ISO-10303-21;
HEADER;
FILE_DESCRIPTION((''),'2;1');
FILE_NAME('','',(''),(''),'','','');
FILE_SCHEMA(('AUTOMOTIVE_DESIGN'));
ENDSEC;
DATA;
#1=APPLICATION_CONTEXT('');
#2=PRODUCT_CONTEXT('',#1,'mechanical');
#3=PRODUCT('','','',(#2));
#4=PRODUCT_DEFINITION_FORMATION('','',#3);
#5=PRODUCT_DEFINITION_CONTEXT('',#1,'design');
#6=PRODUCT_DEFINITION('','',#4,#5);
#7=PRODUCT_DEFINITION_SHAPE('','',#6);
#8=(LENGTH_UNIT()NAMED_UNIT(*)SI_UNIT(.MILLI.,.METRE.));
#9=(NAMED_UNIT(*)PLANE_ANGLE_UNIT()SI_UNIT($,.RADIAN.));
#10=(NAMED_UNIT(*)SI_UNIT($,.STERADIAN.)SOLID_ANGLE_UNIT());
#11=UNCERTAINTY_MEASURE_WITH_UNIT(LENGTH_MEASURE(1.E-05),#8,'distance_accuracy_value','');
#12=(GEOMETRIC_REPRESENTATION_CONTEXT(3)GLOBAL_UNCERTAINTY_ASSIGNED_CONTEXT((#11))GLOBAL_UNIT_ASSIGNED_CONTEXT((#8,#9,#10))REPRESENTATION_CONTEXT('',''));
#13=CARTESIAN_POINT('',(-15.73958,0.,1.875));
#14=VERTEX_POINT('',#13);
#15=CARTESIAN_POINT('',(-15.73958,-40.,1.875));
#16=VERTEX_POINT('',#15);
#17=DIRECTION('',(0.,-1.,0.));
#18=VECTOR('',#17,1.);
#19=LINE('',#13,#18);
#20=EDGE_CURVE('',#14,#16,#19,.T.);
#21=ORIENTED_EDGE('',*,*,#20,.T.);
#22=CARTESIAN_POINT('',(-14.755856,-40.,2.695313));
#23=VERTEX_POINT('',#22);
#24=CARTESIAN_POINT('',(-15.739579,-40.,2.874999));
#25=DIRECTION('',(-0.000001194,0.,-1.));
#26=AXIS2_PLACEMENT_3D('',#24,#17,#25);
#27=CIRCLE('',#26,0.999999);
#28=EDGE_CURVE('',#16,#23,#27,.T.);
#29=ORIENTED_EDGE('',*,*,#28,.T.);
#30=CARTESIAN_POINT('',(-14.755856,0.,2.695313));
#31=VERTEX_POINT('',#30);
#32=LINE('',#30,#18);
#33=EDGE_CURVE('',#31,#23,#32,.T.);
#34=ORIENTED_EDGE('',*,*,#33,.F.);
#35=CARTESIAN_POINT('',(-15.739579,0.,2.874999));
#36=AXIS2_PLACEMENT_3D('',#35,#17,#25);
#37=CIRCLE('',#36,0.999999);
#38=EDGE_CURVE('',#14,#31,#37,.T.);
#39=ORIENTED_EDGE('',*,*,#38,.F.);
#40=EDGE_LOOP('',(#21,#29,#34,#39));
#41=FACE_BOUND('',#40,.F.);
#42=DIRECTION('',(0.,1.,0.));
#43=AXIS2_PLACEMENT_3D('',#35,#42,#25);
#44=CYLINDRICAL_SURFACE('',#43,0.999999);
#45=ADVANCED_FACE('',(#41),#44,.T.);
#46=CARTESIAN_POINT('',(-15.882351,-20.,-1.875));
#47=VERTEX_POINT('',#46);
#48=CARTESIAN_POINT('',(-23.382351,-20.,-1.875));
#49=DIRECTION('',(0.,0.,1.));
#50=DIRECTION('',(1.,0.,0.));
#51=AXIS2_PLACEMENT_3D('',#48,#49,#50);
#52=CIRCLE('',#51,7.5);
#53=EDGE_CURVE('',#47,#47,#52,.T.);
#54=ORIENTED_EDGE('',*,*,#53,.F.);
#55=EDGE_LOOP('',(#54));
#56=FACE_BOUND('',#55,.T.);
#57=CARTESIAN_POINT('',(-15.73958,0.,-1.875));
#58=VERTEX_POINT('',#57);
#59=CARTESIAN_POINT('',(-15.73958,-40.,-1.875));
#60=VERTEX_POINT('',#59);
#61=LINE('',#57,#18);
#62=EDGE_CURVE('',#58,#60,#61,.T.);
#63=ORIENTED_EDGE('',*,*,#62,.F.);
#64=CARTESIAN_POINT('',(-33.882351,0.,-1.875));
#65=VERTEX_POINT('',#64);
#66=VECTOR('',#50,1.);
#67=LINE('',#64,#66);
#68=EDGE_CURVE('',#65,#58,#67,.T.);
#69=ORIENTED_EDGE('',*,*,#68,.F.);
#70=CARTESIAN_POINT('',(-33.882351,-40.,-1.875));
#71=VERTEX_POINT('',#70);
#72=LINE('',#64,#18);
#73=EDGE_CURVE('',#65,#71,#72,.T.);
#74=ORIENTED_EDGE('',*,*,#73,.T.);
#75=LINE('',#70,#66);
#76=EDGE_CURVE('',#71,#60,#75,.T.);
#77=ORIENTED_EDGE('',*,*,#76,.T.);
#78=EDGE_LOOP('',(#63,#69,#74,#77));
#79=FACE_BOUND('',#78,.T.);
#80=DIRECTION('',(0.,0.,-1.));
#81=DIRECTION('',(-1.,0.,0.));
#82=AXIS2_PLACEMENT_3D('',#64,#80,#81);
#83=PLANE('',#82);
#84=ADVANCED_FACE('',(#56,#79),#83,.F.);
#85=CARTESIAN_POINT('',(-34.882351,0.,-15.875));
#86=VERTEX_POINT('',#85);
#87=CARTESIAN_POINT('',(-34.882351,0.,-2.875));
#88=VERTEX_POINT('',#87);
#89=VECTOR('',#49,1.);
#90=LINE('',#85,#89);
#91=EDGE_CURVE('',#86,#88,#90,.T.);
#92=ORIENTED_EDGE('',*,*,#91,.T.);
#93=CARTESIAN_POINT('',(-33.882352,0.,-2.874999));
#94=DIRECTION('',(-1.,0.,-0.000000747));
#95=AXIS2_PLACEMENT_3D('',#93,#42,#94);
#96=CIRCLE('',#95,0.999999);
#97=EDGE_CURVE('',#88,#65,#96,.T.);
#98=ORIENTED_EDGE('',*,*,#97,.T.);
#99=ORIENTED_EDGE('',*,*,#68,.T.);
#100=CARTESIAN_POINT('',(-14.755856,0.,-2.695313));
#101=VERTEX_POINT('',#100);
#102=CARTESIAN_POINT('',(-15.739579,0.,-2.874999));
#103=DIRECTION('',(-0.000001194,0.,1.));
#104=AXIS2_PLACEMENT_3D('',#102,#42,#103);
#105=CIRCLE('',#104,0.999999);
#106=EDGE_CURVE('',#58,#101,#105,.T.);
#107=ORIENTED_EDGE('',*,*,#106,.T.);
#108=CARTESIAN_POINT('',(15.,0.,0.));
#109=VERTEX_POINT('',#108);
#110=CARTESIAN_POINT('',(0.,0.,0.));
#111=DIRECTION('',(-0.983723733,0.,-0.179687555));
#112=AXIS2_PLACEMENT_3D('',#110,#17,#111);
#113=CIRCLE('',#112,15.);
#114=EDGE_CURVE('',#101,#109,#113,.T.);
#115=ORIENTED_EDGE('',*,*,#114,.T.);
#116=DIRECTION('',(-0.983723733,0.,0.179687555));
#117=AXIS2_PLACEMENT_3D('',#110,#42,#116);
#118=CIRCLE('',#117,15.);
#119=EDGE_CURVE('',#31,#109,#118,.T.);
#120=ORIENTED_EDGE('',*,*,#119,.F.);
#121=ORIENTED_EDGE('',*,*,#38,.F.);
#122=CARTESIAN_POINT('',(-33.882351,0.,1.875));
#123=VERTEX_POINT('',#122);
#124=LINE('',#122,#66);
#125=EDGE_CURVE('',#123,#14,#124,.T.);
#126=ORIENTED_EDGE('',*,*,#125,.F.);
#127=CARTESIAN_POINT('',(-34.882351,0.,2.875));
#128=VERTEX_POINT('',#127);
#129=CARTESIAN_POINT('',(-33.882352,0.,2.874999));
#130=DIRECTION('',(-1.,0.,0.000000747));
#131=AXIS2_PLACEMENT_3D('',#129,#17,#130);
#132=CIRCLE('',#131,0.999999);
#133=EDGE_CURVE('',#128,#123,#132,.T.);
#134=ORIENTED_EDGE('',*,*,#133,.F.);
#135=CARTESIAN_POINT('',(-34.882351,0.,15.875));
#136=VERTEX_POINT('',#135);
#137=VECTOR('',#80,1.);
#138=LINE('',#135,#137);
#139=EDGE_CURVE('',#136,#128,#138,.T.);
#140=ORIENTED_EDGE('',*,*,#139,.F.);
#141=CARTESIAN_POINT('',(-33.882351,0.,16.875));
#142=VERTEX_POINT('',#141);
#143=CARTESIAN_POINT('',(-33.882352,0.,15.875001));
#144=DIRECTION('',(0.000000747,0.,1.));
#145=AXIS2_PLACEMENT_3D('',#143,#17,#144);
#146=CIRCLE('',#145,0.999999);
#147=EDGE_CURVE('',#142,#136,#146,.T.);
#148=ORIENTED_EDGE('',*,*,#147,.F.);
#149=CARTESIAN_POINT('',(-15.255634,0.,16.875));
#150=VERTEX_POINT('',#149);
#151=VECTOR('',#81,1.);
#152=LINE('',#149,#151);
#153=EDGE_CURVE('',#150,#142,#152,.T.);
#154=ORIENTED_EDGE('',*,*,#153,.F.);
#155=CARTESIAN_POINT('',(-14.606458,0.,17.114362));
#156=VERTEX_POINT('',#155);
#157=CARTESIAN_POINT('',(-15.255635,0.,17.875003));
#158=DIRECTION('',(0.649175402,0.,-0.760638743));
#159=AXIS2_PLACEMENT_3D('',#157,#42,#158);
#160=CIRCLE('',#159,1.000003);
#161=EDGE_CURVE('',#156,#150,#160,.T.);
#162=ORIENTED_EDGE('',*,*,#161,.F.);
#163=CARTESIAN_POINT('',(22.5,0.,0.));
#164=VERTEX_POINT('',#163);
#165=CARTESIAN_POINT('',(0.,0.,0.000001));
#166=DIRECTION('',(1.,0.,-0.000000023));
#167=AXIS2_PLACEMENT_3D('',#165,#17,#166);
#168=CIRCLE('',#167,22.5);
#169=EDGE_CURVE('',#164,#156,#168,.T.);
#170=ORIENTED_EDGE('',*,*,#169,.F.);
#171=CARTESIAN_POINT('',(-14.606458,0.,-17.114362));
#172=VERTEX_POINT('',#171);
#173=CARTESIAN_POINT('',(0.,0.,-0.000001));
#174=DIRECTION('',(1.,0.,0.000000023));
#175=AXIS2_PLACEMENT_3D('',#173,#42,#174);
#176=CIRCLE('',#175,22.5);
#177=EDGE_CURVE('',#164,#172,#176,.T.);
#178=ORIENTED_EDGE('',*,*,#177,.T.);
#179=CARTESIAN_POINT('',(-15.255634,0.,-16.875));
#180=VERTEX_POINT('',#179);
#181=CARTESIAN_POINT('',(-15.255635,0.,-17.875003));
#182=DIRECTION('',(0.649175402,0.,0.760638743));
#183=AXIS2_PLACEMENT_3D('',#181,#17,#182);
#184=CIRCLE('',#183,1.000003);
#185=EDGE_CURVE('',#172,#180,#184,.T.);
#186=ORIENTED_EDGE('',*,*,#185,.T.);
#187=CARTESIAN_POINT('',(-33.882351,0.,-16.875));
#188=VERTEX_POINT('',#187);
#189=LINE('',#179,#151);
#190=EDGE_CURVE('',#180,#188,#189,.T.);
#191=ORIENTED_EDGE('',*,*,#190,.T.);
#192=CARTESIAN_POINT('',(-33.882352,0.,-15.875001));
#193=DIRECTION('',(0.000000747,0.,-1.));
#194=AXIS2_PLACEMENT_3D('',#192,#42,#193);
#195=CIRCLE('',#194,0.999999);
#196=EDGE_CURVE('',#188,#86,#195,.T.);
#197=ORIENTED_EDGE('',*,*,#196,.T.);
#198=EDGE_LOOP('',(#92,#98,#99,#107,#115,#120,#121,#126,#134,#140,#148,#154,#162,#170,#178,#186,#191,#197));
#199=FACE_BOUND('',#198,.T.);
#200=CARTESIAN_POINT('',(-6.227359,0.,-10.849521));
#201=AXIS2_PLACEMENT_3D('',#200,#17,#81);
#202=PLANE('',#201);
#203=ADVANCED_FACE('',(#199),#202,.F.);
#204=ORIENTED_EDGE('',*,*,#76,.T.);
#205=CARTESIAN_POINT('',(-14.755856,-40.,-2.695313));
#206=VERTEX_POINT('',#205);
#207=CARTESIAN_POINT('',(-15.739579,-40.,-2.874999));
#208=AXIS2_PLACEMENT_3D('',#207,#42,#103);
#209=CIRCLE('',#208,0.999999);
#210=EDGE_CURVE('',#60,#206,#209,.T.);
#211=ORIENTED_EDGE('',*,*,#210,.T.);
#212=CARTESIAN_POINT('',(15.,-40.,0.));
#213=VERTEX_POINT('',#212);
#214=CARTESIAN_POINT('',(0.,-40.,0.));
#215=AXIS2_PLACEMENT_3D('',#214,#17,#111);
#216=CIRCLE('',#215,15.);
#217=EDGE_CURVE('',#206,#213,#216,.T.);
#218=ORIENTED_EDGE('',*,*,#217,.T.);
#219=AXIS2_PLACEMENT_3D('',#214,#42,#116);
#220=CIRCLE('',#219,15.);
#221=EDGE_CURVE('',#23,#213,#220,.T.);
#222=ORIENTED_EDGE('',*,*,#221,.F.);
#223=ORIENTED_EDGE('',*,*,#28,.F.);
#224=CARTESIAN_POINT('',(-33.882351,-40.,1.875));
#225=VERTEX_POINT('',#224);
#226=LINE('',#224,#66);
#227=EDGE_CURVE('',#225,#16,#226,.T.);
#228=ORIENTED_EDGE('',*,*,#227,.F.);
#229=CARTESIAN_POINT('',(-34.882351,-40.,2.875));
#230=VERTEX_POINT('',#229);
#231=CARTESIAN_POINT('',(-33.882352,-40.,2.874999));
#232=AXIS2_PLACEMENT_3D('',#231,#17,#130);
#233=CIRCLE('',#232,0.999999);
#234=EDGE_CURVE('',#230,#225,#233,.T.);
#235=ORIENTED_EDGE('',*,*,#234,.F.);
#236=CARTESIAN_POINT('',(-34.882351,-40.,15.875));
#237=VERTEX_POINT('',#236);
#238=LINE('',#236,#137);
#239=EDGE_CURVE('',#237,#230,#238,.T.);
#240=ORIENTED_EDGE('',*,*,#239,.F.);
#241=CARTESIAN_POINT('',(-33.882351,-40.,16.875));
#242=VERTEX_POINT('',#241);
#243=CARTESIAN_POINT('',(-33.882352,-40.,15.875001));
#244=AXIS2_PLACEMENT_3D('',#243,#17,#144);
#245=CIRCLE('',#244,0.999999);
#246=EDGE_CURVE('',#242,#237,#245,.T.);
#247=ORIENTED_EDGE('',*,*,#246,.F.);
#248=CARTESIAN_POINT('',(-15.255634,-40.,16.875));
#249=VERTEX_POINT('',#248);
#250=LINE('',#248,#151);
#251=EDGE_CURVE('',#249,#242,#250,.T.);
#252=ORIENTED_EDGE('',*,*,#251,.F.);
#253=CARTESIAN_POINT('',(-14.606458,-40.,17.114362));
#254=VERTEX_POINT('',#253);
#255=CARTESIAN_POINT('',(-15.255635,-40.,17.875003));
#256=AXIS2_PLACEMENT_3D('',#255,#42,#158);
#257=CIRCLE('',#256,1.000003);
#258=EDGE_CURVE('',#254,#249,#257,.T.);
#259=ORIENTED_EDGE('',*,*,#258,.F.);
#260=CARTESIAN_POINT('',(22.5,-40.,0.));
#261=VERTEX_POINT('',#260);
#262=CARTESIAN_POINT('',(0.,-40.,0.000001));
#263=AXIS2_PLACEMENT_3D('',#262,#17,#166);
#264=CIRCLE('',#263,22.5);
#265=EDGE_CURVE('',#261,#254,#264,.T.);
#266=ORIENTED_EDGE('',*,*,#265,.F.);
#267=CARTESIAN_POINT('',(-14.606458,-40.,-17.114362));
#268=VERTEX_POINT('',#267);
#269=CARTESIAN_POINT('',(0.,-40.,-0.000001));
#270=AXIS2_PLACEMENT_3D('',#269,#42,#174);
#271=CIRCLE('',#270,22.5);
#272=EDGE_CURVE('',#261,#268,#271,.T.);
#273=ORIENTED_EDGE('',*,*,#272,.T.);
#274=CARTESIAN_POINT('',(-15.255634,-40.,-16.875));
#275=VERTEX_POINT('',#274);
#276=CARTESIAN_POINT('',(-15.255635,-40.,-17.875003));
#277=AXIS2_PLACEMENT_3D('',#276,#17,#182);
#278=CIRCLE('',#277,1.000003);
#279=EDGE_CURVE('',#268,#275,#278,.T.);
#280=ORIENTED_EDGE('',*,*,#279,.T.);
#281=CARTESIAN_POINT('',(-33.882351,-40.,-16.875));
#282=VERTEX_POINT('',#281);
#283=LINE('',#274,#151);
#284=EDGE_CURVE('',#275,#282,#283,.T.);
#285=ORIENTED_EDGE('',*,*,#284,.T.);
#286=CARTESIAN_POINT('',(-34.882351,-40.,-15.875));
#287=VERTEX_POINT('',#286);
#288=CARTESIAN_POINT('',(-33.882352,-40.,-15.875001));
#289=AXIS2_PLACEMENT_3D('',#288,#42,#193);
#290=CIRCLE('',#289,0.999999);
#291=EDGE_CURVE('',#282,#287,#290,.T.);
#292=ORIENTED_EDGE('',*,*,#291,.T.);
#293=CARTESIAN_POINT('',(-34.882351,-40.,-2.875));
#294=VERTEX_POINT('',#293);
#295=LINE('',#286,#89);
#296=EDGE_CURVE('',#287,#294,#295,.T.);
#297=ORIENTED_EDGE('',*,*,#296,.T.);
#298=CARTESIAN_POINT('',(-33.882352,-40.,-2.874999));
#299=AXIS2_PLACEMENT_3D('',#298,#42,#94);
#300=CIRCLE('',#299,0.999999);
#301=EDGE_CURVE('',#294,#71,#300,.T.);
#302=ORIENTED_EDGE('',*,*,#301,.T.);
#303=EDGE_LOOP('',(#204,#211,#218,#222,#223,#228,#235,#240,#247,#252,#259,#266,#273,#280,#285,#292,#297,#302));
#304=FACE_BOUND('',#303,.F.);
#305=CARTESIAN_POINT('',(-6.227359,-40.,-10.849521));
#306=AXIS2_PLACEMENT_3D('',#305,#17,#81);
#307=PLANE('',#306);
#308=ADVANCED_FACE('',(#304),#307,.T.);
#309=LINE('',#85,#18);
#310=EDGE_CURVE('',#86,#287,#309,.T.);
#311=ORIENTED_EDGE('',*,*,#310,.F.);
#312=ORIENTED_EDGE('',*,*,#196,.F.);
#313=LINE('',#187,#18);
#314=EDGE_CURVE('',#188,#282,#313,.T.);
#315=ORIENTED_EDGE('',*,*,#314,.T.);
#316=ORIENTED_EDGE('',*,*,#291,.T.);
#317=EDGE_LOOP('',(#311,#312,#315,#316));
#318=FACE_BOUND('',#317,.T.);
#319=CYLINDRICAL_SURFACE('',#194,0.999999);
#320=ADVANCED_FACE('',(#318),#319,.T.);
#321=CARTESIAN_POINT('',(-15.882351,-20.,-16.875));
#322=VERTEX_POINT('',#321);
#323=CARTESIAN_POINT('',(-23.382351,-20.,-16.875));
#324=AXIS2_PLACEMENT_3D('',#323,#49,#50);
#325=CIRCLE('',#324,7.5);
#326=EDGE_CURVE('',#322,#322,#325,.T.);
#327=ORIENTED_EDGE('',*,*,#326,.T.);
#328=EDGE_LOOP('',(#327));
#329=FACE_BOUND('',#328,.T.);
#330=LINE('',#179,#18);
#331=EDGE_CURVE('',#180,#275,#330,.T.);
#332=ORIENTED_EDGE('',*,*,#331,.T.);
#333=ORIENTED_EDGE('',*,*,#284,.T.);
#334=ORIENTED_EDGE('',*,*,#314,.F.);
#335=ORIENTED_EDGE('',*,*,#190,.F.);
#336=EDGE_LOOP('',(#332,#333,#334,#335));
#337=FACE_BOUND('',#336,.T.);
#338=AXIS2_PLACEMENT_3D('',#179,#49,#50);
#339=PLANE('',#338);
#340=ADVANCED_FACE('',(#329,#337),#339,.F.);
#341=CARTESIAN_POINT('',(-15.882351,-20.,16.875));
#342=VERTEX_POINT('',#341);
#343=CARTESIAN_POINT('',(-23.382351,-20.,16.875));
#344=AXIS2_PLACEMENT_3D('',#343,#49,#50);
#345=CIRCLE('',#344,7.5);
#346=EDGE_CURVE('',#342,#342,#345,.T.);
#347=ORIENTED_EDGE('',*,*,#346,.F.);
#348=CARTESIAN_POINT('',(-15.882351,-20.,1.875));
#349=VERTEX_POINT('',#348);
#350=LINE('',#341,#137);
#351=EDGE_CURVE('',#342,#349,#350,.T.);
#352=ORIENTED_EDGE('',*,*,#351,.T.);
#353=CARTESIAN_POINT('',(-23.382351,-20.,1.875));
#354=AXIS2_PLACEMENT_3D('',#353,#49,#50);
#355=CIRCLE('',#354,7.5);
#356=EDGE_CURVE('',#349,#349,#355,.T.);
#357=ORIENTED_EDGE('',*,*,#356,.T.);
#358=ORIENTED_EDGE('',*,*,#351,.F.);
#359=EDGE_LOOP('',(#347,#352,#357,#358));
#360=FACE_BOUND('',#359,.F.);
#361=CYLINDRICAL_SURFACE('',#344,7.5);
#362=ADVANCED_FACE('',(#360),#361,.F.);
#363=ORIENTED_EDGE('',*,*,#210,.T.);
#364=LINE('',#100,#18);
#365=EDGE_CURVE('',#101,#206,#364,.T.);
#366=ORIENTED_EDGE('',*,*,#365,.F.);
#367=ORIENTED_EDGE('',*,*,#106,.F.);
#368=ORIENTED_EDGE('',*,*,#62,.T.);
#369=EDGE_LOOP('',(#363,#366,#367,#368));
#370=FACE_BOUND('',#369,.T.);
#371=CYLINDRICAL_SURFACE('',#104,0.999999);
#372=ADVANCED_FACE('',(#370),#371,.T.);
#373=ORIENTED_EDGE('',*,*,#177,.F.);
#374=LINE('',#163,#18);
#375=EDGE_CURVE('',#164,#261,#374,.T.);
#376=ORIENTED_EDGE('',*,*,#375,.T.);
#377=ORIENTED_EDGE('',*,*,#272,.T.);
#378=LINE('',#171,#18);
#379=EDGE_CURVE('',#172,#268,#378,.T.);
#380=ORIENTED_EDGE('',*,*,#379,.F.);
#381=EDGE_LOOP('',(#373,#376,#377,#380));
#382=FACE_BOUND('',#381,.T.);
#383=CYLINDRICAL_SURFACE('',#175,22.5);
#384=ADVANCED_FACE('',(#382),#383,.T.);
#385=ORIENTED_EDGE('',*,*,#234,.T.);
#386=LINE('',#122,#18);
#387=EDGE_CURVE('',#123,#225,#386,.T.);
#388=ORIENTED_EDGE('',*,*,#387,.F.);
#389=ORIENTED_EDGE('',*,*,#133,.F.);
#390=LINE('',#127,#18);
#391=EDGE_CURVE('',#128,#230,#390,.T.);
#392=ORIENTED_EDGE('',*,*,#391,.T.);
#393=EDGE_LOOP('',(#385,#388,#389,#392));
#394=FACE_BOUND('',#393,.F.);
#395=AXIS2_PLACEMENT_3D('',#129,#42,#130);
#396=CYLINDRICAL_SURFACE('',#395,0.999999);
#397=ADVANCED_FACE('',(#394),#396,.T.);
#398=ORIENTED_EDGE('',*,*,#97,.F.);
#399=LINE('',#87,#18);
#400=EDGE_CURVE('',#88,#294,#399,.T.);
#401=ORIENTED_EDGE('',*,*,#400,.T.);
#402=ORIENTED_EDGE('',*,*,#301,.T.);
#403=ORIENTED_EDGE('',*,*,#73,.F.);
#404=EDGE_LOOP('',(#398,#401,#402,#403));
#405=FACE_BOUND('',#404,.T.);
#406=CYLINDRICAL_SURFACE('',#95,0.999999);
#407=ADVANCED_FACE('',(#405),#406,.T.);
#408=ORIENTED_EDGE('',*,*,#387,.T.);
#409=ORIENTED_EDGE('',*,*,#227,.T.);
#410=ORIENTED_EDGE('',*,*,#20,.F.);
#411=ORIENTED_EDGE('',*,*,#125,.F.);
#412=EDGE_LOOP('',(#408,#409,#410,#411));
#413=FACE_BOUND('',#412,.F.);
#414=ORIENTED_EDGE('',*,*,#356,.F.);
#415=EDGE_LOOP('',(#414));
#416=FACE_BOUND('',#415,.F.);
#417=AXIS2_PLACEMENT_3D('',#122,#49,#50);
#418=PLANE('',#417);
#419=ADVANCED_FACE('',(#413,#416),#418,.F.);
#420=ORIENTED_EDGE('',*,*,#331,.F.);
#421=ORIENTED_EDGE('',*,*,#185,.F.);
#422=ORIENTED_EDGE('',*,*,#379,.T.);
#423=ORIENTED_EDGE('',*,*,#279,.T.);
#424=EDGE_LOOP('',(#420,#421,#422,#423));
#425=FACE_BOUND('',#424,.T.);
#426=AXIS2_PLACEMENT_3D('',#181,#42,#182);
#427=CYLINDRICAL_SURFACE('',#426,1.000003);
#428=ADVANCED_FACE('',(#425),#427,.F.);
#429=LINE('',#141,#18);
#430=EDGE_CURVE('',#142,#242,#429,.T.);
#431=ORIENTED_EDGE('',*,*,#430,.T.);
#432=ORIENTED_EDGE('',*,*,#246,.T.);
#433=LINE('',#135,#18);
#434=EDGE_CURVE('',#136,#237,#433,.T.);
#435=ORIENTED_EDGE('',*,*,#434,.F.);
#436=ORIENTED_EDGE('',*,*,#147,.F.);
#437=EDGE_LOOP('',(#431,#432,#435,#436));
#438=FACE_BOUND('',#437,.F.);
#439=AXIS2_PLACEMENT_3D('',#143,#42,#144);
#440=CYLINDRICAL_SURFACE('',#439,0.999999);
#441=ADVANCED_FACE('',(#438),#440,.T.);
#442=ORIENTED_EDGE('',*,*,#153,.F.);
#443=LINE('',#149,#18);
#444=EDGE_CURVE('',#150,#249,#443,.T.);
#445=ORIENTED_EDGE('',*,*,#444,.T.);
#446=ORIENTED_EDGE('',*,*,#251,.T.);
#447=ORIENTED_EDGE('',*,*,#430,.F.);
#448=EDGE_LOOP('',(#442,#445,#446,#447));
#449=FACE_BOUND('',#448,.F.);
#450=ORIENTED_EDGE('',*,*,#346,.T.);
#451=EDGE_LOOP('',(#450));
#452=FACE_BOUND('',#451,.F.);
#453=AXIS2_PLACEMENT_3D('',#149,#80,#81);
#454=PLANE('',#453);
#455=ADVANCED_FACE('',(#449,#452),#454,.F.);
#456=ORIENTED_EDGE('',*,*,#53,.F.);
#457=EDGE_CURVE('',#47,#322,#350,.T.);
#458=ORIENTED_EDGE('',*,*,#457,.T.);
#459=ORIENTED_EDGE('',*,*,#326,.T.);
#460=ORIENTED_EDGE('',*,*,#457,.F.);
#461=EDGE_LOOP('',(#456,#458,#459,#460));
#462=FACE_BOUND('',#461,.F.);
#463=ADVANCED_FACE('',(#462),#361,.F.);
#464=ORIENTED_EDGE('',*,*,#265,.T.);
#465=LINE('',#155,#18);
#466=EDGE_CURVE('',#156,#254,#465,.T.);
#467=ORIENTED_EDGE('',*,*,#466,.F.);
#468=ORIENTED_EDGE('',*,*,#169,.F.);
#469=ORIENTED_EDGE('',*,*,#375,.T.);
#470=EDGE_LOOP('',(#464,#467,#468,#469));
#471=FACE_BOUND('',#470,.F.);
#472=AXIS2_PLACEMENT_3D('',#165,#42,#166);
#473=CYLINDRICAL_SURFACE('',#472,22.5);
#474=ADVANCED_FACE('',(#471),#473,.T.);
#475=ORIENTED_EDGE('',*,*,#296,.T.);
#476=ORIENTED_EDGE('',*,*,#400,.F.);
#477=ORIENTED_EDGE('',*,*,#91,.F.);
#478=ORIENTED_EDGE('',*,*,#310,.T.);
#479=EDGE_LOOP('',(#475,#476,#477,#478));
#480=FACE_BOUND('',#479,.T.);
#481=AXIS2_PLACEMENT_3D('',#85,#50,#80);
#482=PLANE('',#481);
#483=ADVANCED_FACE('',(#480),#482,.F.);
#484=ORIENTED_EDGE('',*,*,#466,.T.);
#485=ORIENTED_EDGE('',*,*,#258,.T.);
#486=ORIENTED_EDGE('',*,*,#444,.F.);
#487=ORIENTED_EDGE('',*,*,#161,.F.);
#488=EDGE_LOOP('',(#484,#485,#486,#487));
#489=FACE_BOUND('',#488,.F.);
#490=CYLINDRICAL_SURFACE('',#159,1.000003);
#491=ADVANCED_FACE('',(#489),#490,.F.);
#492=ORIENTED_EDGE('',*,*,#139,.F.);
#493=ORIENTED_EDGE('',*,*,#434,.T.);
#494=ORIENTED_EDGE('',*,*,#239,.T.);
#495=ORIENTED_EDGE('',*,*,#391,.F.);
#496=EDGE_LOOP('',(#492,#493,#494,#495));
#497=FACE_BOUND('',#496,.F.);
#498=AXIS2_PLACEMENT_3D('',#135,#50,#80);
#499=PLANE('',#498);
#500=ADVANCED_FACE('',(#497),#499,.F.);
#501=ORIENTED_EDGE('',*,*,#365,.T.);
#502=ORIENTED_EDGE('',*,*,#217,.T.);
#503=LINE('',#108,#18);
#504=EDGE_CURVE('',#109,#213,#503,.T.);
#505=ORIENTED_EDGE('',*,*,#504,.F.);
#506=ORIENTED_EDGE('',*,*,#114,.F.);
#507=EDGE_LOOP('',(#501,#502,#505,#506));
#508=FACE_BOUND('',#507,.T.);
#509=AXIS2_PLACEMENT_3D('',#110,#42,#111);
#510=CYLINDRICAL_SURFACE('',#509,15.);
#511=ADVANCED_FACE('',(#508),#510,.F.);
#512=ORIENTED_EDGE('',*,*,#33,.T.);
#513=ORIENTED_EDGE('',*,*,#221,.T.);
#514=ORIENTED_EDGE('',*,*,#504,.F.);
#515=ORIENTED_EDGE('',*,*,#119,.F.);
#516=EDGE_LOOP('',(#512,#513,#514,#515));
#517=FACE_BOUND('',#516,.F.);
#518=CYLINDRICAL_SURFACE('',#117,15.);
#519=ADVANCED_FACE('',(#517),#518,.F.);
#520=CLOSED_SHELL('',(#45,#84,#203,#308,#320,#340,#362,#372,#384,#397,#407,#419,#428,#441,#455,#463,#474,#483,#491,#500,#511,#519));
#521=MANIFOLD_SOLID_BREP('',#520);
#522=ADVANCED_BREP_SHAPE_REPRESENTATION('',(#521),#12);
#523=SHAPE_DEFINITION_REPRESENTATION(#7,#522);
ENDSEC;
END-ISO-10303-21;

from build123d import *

# Parameters (mm, degrees)
F1_DEPTH = 40
F3_R     = 7.5
F4_DEPTH = 45


with BuildPart() as f1:
    # F0 (on Front) → F1 (new body)
    with BuildSketch(Plane.XZ):
        with BuildLine():
            Line((-34.882351, 15.875), (-34.882351, 2.875))
            ThreePointArc((-34.882351, 2.875), (-34.589458, 2.167893), (-33.882351, 1.875))
            Line((-33.882351, 1.875), (-15.73958, 1.875))
            ThreePointArc((-15.73958, 1.875), (-15.099145, 2.106987), (-14.755856, 2.695313))
            ThreePointArc((-14.755856, 2.695313), (1.353174, 14.938839), (15, 0))
            Line((15, 0), (22.5, 0))
            ThreePointArc((22.5, 0), (9.4235, 20.431536), (-14.606458, 17.114362))
            ThreePointArc((-14.606458, 17.114362), (-14.909685, 16.936747), (-15.255634, 16.875))
            Line((-15.255634, 16.875), (-33.882351, 16.875))
            ThreePointArc((-33.882351, 16.875), (-34.589458, 16.582107), (-34.882351, 15.875))
        make_face()
    extrude(amount=F1_DEPTH)

    # F2: F1 across face


with BuildPart() as f1_1:
    add(f1.part)
    add(f1.part.mirror(Plane(origin=(18.75, -20, 0), x_dir=(1, 0, 0), z_dir=(0, 0, -1))))

    # F3 (on face) → F4 (cut)
    with BuildSketch(Plane.XY.offset(16.875)):
        with Locations((-23.382351, -20)):
            Circle(F3_R)
    extrude(amount=-F4_DEPTH, mode=Mode.SUBTRACT)


solid = f1_1.part
